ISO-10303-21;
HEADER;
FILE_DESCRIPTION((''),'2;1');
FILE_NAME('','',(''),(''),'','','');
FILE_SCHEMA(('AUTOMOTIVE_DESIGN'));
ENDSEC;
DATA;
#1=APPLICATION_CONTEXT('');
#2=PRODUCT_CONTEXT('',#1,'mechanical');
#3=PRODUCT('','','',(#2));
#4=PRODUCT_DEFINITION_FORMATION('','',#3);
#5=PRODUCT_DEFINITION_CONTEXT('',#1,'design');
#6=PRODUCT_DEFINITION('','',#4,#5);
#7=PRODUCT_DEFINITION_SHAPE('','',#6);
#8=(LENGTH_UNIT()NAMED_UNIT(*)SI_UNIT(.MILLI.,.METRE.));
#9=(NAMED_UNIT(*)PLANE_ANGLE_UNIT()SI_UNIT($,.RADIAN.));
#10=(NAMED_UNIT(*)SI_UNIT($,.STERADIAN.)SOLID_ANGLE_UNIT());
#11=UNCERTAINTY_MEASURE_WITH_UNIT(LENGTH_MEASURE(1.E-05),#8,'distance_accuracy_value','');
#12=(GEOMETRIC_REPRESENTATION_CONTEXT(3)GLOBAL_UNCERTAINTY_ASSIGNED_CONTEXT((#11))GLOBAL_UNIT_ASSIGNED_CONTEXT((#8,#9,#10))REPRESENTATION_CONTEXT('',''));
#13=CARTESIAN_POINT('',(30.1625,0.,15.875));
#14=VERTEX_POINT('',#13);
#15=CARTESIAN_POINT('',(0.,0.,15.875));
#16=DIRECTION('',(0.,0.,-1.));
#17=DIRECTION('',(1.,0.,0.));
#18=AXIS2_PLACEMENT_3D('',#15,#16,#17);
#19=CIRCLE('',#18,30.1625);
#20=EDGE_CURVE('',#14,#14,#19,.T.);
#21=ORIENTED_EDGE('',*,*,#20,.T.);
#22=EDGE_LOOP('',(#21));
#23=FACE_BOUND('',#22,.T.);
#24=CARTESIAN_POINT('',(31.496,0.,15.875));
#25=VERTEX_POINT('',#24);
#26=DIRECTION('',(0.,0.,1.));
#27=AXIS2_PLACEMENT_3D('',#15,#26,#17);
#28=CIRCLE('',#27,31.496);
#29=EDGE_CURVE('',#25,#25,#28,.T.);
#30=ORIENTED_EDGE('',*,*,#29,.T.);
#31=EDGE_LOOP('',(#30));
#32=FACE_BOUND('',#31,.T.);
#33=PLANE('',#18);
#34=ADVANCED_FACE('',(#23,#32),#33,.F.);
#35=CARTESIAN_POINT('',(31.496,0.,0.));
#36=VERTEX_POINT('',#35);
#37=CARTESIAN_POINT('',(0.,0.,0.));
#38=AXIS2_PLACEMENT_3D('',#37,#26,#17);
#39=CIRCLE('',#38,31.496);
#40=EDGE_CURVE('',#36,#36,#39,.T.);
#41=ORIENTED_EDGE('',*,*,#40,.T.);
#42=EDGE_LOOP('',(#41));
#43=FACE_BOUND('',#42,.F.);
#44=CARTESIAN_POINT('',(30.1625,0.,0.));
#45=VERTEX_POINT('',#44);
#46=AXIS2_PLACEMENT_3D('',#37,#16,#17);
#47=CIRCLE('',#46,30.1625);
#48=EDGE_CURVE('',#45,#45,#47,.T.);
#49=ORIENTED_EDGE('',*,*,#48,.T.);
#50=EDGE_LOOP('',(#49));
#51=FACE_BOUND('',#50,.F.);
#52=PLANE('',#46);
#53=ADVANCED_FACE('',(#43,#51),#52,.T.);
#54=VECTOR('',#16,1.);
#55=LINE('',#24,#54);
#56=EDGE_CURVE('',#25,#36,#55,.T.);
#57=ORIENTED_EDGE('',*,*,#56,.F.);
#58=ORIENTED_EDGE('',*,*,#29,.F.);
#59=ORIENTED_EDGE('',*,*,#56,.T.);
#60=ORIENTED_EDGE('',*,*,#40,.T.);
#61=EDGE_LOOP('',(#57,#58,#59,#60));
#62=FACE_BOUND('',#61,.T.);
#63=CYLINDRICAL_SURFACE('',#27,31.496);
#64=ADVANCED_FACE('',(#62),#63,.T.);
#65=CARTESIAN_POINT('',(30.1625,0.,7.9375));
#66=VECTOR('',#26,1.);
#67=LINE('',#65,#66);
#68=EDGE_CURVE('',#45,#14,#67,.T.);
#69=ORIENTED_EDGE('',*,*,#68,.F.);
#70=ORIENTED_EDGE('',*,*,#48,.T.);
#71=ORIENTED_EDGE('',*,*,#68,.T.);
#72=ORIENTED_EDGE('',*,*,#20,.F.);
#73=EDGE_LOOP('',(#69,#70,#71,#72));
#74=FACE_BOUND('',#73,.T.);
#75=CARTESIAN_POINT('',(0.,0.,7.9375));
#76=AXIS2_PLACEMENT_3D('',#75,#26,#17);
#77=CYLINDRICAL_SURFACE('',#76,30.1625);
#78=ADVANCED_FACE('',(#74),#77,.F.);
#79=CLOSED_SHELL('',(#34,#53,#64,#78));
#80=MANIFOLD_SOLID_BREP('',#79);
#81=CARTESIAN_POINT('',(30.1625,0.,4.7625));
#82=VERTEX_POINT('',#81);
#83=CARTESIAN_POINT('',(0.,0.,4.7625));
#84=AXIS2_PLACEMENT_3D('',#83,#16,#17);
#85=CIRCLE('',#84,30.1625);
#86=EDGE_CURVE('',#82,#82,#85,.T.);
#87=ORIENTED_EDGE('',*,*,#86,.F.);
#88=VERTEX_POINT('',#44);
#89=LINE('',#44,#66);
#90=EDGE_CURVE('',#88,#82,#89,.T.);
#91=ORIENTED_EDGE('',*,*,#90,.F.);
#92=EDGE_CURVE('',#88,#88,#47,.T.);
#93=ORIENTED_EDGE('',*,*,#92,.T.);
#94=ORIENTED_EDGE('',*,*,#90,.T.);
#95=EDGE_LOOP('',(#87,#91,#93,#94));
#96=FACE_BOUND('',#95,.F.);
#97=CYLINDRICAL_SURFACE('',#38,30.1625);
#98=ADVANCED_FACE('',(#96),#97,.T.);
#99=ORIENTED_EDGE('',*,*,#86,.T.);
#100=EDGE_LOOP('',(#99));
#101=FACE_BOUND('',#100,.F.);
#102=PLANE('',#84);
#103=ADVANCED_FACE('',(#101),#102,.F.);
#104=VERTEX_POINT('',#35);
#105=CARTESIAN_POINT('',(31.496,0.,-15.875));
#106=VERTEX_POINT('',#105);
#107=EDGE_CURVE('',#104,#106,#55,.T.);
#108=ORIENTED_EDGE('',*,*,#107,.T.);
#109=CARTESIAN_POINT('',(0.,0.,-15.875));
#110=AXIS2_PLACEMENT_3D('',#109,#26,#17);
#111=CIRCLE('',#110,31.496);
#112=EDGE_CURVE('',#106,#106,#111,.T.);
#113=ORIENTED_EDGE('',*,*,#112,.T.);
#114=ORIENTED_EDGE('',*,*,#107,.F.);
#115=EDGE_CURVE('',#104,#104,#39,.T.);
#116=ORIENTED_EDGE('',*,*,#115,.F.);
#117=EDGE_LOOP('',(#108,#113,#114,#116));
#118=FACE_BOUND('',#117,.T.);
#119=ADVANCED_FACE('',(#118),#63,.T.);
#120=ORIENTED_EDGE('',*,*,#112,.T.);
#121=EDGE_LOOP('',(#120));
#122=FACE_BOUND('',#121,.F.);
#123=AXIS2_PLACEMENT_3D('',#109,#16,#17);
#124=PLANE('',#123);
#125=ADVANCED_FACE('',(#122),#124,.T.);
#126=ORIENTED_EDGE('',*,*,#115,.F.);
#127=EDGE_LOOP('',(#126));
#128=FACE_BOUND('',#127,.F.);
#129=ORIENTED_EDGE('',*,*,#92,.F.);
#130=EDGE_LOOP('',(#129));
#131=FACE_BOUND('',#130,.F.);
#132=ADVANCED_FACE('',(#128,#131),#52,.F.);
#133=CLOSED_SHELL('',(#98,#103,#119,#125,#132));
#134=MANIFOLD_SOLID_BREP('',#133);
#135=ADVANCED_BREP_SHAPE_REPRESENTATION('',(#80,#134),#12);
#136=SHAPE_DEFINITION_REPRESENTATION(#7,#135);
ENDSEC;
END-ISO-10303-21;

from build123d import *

# Parameters (mm, degrees)
F3_W     = 1.5875
F3_H     = 15.875
F5_R     = 31.75
F5_R_2   = 31.496
F6_DEPTH = 31.751


with BuildPart() as f2:
    # F1 (on Front) → F2 (revolve)
    with BuildSketch(Plane.XZ):
        Polygon((30.1625, 0), (30.1625, 4.7625), (0, 4.7625), (0, -15.875), (31.75, -15.875), (31.75, 0), align=None)
    revolve(axis=Axis((0, 0, -16.009867), (0, 0, -1)))


with BuildPart() as f4:
    # F3 (on Front) → F4 (revolve)
    with BuildSketch(Plane.XZ):
        with Locations((30.95625, 7.9375)):
            Rectangle(F3_W, F3_H)
    revolve(axis=Axis((0, 0, -13.350507), (0, 0, -1)))


with BuildPart() as f6_tool:
    # F5 (on face) → F6 (new body, through all)
    with BuildSketch(Plane.XY.offset(15.875)):
        Circle(F5_R)
        Circle(F5_R_2, mode=Mode.SUBTRACT)
    extrude(amount=-F6_DEPTH)


with BuildPart() as f2_1:
    add(f2.part)

    # F6: cut by f6_tool
    add(f6_tool.part, mode=Mode.SUBTRACT)


with BuildPart() as f4_1:
    add(f4.part)

    # F6: cut by f6_tool
    add(f6_tool.part, mode=Mode.SUBTRACT)


solid = Compound([f2_1.part, f4_1.part])
